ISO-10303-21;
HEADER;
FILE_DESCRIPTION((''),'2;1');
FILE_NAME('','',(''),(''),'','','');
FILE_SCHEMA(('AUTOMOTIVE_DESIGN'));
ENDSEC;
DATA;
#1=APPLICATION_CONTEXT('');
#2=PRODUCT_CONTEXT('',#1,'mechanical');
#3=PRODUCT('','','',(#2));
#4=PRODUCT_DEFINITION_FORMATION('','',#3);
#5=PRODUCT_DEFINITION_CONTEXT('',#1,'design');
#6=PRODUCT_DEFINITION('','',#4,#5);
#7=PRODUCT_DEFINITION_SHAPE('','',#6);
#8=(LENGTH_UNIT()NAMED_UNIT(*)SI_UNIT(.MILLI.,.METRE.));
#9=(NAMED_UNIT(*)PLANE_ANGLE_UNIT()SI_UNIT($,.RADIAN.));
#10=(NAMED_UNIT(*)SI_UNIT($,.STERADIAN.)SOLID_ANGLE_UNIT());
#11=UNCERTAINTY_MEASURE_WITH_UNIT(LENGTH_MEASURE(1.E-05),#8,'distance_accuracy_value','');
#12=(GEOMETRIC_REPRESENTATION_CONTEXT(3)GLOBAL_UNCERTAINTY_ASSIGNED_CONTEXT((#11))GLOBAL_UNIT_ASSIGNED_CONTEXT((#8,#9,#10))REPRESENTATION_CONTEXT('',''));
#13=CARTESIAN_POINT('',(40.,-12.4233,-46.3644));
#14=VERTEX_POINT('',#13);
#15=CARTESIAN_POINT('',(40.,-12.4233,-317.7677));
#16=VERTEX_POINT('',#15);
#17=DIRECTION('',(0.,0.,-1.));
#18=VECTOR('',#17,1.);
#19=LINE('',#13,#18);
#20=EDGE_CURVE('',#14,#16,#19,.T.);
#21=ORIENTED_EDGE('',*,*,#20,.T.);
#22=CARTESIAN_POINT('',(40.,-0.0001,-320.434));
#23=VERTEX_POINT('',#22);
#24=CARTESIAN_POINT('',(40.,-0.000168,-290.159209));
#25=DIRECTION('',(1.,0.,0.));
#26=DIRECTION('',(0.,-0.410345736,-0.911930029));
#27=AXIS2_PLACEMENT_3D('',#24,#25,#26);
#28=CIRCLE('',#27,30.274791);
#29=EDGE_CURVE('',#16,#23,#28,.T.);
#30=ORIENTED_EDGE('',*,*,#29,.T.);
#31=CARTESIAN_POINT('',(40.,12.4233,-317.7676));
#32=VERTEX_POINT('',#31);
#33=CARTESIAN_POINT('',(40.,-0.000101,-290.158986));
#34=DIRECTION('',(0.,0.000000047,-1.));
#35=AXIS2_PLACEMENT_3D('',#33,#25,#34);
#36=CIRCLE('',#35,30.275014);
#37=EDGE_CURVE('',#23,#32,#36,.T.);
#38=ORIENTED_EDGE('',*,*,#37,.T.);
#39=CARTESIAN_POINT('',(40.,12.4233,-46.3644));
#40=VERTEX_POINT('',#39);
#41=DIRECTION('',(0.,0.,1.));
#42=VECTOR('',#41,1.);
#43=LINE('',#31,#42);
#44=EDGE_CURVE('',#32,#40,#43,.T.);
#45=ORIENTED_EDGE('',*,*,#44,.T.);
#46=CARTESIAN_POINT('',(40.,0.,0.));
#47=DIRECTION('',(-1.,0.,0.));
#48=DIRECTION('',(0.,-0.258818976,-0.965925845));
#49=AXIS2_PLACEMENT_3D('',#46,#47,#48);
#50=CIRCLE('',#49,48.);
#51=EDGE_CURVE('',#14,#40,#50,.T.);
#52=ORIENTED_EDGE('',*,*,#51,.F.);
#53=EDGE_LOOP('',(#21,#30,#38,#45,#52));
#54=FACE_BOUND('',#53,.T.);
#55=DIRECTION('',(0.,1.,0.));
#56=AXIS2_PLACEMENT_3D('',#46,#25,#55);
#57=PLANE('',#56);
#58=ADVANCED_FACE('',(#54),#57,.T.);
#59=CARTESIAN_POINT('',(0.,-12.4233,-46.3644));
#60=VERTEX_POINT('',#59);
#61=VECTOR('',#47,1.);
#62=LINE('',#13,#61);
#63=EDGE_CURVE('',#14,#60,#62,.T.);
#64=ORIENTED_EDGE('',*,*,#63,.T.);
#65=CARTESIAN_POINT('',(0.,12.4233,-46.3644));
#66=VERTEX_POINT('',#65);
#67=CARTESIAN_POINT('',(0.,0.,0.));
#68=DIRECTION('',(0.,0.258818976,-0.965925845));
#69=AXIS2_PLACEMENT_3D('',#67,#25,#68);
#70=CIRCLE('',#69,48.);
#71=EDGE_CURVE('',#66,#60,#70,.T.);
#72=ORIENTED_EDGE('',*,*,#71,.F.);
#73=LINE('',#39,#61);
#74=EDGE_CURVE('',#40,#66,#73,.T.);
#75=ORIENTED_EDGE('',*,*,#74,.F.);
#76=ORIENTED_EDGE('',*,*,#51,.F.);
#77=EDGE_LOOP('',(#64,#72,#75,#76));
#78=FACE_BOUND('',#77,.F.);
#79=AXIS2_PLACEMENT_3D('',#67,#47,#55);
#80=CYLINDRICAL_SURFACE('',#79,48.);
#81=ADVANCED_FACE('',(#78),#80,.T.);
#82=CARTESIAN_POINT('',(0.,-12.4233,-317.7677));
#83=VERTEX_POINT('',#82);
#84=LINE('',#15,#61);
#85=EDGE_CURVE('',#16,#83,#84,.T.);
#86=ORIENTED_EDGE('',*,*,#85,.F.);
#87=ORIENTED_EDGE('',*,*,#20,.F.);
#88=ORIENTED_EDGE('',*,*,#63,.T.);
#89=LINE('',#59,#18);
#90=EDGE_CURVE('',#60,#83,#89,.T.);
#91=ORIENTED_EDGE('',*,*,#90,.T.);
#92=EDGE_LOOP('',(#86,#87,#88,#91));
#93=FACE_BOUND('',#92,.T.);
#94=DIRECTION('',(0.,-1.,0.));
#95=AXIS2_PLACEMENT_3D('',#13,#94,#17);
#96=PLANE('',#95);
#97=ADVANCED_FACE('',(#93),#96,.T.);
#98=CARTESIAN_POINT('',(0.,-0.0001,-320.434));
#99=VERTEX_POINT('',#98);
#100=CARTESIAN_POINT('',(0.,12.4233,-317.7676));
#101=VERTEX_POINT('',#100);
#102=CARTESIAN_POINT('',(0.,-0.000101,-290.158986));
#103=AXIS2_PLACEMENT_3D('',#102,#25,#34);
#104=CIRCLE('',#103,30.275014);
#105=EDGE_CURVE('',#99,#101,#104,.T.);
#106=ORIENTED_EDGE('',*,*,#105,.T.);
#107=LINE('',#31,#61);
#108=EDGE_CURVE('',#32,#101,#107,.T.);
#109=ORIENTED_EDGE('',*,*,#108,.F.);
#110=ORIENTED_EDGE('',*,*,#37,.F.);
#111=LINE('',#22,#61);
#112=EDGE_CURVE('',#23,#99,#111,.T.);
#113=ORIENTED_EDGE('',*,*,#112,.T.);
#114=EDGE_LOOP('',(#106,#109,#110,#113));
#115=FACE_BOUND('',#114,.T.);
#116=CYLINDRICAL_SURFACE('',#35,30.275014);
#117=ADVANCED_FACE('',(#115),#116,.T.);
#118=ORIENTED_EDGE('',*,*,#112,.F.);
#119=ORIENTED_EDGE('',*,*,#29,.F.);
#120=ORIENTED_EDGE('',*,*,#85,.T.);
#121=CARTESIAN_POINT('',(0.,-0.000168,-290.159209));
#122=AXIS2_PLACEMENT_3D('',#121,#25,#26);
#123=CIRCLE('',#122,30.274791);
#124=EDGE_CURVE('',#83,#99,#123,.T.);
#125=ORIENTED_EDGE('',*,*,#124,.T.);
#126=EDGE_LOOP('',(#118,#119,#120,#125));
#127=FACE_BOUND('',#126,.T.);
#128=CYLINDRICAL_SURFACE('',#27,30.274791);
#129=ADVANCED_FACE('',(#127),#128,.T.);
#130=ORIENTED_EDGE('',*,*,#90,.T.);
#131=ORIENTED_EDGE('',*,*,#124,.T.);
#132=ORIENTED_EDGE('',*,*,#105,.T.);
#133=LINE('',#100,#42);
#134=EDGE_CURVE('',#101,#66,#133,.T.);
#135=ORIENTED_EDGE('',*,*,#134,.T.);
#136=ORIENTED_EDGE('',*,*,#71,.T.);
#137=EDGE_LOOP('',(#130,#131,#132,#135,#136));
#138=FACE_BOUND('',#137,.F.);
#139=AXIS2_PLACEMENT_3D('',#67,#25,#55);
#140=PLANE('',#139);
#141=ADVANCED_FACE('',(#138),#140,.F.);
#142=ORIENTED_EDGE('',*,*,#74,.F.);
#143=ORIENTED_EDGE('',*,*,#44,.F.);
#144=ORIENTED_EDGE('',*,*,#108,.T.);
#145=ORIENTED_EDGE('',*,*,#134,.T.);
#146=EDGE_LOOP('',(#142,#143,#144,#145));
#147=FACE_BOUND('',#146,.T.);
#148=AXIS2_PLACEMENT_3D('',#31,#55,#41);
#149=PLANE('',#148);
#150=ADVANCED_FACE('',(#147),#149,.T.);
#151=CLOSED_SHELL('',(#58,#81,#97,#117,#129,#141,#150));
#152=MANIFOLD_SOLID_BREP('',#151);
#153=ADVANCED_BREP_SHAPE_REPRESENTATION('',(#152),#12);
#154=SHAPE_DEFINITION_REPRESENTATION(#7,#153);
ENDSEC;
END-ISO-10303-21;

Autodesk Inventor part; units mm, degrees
ref_plane "YZ Plane" through (0, 0, 0) normal (1, 0, 0) x (0, 1, 0)
ref_plane "XZ Plane" through (0, 0, 0) normal (0, 1, 0) x (-1, 0, 0)
ref_plane "XY Plane" through (0, 0, 0) normal (0, 0, 1) x (1, 0, 0)
sketch "Boceto1" plane through (0, 0, 0) normal (1, 0, 0) x (0, 1, 0)
  circle A0 centre (0, 0) radius 48
  dimension "d0" = 96
extrude "Extrusión1" add sketch "Boceto1" along normal blind 40
sketch "Boceto2" plane through (40, 0, 0) normal (1, 0, 0) x (0, 0, -1)
  circle A0 centre (0, 0) radius 48 projected
  arc A1 (48, 0) -> (46.3644, 12.4233) centre (0, 0) ccw
  line L0 (0, 0) -> (46.3644, 12.4233) construction
  line L1 (0, 0) -> (48, 0) construction
  arc A2 (46.3644, -12.4233) -> (48, 0) centre (0, 0) ccw
  arc A3 (320.434, -0.0001) -> (317.7676, 12.4233) centre (290.159, -0.0001) ccw
  arc A4 (317.7677, -12.4233) -> (320.434, -0.0001) centre (290.159, -0.0001) ccw
  line L2 (46.3644, -12.4233) -> (317.7677, -12.4233)
  line L3 (317.7676, 12.4233) -> (46.3644, 12.4233)
  dimension "d3" = 15
extrude "Extrusión2" add sketch "Boceto2" against normal blind 40 contours A0 L3 A3 A4 L2
properties part number "Pata2_v2"
